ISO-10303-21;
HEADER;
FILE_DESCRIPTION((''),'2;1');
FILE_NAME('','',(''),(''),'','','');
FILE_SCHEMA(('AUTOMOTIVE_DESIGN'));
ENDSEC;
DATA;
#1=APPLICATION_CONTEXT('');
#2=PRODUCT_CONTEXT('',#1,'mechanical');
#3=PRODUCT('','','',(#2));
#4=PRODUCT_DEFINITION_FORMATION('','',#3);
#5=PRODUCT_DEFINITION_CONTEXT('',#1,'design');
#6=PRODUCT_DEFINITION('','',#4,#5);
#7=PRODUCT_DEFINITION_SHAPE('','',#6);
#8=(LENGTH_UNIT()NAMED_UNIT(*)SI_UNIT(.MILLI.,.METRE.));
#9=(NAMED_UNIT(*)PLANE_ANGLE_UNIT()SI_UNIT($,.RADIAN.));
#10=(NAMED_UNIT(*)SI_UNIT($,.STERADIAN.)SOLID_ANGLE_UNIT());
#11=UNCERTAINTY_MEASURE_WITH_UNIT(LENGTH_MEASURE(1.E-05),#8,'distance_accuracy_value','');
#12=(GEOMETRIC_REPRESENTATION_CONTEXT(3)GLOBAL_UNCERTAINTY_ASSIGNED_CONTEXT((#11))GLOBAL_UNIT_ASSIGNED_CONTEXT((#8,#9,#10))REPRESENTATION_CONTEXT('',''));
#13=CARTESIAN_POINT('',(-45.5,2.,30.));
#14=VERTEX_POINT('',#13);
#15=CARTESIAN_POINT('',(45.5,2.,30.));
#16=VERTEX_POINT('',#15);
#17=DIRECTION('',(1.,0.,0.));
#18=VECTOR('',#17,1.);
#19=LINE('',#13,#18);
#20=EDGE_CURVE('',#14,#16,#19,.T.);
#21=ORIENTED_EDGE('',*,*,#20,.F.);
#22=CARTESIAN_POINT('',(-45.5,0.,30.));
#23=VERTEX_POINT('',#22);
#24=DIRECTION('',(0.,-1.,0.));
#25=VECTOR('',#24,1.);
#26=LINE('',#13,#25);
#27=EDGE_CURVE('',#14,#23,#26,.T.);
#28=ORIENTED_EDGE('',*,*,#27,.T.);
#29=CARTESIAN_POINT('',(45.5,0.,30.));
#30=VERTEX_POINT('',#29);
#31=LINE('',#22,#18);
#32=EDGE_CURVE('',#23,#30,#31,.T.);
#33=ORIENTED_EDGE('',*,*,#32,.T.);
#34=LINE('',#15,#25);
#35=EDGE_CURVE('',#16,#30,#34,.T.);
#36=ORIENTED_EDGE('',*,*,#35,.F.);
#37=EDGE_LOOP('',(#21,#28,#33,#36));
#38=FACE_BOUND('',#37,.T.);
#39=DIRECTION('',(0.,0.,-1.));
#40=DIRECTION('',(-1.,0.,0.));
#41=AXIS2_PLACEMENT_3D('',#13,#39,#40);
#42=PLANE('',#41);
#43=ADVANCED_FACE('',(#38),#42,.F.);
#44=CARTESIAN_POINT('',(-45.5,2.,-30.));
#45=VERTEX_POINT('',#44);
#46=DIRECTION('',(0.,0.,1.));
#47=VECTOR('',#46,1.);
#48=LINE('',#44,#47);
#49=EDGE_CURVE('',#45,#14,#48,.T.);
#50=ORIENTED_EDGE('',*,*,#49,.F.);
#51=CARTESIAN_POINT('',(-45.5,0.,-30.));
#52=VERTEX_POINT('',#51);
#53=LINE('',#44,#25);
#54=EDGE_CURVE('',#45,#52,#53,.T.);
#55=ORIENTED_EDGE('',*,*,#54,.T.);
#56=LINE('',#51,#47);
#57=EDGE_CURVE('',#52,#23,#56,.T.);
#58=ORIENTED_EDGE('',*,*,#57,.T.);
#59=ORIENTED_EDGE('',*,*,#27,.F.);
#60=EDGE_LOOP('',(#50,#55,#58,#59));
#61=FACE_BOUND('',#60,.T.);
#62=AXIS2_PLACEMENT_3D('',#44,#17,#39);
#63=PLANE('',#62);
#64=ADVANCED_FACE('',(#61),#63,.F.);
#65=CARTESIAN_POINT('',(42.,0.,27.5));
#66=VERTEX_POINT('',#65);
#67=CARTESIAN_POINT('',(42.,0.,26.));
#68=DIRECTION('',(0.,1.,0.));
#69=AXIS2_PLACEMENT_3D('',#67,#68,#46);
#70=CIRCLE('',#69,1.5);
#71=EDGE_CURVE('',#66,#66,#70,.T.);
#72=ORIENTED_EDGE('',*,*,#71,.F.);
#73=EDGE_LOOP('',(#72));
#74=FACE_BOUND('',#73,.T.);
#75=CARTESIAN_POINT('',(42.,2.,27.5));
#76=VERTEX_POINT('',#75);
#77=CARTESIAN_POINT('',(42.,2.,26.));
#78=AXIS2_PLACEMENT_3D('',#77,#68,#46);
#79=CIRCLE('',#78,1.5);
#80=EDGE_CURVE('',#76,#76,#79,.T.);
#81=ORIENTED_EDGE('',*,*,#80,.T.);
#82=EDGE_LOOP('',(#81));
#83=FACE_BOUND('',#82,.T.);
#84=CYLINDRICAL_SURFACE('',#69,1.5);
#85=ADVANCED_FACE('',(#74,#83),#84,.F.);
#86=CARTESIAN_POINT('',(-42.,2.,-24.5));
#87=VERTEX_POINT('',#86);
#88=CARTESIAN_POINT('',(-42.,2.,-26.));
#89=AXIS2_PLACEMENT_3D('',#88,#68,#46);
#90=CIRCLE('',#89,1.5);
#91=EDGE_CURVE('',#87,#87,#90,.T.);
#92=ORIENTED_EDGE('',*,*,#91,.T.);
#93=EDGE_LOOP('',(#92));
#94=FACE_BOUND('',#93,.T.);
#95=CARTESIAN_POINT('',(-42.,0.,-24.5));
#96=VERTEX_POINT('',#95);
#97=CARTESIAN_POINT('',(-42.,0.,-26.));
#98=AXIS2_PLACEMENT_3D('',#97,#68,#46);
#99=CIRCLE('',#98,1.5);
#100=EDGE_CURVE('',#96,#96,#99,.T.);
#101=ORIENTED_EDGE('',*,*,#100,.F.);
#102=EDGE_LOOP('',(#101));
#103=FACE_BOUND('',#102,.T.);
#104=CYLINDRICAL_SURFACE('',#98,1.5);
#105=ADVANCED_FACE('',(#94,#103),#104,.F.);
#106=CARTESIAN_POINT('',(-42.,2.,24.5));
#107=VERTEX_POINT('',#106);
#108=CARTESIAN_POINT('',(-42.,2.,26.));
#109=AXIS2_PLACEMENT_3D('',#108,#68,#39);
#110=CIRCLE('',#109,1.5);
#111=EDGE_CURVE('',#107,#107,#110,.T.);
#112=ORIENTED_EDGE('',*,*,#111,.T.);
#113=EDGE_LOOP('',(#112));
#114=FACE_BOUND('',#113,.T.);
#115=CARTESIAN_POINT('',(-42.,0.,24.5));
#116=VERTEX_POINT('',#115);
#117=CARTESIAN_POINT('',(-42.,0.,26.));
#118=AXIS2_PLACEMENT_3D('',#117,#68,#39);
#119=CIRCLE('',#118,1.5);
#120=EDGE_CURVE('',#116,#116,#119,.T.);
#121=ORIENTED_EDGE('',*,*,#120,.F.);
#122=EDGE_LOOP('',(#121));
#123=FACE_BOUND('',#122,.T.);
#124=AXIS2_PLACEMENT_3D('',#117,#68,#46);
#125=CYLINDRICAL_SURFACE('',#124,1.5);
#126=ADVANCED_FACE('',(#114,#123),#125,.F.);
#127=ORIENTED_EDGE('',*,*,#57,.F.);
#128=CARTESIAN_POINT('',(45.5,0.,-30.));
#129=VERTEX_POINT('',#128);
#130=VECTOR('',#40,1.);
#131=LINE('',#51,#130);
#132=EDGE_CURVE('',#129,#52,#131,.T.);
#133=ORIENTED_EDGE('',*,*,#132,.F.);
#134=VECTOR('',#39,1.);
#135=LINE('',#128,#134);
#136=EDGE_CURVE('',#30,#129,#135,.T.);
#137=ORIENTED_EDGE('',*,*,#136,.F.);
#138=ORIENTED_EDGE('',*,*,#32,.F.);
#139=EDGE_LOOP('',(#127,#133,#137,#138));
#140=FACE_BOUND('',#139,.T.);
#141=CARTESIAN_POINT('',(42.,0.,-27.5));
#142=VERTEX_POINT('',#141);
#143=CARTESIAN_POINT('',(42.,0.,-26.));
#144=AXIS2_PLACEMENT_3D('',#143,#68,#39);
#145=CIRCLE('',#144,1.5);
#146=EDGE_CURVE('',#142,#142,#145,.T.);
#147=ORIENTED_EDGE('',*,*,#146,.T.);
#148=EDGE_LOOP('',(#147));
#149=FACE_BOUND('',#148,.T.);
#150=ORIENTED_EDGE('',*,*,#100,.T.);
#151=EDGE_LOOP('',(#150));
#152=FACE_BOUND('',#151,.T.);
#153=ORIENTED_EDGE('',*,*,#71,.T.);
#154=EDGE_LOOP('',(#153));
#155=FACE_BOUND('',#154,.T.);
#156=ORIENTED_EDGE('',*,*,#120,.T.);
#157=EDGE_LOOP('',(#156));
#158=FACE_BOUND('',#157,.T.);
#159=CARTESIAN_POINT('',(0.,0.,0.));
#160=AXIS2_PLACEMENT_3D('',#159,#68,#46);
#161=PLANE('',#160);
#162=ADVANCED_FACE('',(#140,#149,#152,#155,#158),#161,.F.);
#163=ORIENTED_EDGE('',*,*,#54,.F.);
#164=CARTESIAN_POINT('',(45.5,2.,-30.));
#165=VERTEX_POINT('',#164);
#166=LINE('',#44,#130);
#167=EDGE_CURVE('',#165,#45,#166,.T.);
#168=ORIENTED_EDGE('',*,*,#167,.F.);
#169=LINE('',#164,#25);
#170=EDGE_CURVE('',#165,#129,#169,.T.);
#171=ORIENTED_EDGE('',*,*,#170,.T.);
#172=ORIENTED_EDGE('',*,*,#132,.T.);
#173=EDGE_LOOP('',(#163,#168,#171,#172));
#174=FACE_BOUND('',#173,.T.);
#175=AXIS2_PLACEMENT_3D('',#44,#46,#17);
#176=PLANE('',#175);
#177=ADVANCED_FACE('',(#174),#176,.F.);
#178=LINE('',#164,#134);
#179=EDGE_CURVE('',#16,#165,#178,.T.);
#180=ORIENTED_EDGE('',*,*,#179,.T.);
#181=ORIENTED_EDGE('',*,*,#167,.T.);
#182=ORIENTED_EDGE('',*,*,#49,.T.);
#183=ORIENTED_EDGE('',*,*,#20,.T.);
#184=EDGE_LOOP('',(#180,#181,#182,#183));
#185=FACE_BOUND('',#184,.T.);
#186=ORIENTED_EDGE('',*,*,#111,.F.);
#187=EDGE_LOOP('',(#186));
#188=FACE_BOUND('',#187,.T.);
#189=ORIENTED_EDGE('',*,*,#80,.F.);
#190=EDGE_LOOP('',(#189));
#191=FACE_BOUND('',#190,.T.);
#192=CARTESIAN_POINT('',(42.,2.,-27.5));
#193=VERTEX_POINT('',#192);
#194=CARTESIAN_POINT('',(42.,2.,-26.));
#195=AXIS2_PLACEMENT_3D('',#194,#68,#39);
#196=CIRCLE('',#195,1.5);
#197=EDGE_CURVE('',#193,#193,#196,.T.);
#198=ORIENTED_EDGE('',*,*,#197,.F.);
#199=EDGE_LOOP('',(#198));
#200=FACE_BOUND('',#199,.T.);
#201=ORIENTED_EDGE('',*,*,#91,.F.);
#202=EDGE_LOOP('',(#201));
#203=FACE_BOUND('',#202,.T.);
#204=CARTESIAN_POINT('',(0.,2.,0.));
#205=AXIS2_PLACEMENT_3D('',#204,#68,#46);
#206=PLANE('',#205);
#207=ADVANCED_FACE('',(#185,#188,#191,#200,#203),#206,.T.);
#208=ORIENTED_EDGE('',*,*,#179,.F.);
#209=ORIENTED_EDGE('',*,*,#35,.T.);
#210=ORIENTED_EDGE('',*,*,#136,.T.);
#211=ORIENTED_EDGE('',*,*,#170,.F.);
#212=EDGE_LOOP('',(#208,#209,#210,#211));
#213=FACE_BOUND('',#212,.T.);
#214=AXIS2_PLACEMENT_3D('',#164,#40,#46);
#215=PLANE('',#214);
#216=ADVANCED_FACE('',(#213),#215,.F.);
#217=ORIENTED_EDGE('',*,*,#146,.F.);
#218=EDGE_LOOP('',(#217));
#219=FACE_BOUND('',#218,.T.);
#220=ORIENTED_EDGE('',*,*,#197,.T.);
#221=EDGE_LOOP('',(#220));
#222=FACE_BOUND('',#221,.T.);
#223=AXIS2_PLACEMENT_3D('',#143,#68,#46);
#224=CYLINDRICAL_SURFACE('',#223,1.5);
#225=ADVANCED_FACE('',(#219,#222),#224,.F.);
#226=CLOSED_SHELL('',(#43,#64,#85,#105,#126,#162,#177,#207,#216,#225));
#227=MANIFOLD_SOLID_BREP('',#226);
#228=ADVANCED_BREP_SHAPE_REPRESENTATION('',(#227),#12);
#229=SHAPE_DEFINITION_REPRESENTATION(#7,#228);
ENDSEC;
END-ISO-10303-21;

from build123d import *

# Parameters (mm, degrees)
SKETCH_2_W          = 91
SKETCH_2_H          = 60
EXTRUDE_1_DEPTH     = 2
SKETCH_3_R          = 1.5
CUT_EXTRUDE_1_DEPTH = 2


with BuildPart() as part:
    # 草图2 → 凸台-拉伸1 (new body)
    with BuildSketch(Plane(origin=(0, 0, 0), x_dir=(1, 0, 0), z_dir=(0, 1, 0))):
        Rectangle(SKETCH_2_W, SKETCH_2_H)
    extrude(amount=EXTRUDE_1_DEPTH)

    # 草图3 → 切除-拉伸1 (cut)
    with BuildSketch(Plane(origin=(0, 2, 0), x_dir=(1, 0, 0), z_dir=(0, 1, 0))):
        with Locations((-42, 26)):
            Circle(SKETCH_3_R)
        with Locations((42, 26)):
            Circle(SKETCH_3_R)
        with Locations((-42, -26)):
            Circle(SKETCH_3_R)
        with Locations((42, -26)):
            Circle(SKETCH_3_R)
    extrude(amount=-CUT_EXTRUDE_1_DEPTH, mode=Mode.SUBTRACT)


solid = part.part
